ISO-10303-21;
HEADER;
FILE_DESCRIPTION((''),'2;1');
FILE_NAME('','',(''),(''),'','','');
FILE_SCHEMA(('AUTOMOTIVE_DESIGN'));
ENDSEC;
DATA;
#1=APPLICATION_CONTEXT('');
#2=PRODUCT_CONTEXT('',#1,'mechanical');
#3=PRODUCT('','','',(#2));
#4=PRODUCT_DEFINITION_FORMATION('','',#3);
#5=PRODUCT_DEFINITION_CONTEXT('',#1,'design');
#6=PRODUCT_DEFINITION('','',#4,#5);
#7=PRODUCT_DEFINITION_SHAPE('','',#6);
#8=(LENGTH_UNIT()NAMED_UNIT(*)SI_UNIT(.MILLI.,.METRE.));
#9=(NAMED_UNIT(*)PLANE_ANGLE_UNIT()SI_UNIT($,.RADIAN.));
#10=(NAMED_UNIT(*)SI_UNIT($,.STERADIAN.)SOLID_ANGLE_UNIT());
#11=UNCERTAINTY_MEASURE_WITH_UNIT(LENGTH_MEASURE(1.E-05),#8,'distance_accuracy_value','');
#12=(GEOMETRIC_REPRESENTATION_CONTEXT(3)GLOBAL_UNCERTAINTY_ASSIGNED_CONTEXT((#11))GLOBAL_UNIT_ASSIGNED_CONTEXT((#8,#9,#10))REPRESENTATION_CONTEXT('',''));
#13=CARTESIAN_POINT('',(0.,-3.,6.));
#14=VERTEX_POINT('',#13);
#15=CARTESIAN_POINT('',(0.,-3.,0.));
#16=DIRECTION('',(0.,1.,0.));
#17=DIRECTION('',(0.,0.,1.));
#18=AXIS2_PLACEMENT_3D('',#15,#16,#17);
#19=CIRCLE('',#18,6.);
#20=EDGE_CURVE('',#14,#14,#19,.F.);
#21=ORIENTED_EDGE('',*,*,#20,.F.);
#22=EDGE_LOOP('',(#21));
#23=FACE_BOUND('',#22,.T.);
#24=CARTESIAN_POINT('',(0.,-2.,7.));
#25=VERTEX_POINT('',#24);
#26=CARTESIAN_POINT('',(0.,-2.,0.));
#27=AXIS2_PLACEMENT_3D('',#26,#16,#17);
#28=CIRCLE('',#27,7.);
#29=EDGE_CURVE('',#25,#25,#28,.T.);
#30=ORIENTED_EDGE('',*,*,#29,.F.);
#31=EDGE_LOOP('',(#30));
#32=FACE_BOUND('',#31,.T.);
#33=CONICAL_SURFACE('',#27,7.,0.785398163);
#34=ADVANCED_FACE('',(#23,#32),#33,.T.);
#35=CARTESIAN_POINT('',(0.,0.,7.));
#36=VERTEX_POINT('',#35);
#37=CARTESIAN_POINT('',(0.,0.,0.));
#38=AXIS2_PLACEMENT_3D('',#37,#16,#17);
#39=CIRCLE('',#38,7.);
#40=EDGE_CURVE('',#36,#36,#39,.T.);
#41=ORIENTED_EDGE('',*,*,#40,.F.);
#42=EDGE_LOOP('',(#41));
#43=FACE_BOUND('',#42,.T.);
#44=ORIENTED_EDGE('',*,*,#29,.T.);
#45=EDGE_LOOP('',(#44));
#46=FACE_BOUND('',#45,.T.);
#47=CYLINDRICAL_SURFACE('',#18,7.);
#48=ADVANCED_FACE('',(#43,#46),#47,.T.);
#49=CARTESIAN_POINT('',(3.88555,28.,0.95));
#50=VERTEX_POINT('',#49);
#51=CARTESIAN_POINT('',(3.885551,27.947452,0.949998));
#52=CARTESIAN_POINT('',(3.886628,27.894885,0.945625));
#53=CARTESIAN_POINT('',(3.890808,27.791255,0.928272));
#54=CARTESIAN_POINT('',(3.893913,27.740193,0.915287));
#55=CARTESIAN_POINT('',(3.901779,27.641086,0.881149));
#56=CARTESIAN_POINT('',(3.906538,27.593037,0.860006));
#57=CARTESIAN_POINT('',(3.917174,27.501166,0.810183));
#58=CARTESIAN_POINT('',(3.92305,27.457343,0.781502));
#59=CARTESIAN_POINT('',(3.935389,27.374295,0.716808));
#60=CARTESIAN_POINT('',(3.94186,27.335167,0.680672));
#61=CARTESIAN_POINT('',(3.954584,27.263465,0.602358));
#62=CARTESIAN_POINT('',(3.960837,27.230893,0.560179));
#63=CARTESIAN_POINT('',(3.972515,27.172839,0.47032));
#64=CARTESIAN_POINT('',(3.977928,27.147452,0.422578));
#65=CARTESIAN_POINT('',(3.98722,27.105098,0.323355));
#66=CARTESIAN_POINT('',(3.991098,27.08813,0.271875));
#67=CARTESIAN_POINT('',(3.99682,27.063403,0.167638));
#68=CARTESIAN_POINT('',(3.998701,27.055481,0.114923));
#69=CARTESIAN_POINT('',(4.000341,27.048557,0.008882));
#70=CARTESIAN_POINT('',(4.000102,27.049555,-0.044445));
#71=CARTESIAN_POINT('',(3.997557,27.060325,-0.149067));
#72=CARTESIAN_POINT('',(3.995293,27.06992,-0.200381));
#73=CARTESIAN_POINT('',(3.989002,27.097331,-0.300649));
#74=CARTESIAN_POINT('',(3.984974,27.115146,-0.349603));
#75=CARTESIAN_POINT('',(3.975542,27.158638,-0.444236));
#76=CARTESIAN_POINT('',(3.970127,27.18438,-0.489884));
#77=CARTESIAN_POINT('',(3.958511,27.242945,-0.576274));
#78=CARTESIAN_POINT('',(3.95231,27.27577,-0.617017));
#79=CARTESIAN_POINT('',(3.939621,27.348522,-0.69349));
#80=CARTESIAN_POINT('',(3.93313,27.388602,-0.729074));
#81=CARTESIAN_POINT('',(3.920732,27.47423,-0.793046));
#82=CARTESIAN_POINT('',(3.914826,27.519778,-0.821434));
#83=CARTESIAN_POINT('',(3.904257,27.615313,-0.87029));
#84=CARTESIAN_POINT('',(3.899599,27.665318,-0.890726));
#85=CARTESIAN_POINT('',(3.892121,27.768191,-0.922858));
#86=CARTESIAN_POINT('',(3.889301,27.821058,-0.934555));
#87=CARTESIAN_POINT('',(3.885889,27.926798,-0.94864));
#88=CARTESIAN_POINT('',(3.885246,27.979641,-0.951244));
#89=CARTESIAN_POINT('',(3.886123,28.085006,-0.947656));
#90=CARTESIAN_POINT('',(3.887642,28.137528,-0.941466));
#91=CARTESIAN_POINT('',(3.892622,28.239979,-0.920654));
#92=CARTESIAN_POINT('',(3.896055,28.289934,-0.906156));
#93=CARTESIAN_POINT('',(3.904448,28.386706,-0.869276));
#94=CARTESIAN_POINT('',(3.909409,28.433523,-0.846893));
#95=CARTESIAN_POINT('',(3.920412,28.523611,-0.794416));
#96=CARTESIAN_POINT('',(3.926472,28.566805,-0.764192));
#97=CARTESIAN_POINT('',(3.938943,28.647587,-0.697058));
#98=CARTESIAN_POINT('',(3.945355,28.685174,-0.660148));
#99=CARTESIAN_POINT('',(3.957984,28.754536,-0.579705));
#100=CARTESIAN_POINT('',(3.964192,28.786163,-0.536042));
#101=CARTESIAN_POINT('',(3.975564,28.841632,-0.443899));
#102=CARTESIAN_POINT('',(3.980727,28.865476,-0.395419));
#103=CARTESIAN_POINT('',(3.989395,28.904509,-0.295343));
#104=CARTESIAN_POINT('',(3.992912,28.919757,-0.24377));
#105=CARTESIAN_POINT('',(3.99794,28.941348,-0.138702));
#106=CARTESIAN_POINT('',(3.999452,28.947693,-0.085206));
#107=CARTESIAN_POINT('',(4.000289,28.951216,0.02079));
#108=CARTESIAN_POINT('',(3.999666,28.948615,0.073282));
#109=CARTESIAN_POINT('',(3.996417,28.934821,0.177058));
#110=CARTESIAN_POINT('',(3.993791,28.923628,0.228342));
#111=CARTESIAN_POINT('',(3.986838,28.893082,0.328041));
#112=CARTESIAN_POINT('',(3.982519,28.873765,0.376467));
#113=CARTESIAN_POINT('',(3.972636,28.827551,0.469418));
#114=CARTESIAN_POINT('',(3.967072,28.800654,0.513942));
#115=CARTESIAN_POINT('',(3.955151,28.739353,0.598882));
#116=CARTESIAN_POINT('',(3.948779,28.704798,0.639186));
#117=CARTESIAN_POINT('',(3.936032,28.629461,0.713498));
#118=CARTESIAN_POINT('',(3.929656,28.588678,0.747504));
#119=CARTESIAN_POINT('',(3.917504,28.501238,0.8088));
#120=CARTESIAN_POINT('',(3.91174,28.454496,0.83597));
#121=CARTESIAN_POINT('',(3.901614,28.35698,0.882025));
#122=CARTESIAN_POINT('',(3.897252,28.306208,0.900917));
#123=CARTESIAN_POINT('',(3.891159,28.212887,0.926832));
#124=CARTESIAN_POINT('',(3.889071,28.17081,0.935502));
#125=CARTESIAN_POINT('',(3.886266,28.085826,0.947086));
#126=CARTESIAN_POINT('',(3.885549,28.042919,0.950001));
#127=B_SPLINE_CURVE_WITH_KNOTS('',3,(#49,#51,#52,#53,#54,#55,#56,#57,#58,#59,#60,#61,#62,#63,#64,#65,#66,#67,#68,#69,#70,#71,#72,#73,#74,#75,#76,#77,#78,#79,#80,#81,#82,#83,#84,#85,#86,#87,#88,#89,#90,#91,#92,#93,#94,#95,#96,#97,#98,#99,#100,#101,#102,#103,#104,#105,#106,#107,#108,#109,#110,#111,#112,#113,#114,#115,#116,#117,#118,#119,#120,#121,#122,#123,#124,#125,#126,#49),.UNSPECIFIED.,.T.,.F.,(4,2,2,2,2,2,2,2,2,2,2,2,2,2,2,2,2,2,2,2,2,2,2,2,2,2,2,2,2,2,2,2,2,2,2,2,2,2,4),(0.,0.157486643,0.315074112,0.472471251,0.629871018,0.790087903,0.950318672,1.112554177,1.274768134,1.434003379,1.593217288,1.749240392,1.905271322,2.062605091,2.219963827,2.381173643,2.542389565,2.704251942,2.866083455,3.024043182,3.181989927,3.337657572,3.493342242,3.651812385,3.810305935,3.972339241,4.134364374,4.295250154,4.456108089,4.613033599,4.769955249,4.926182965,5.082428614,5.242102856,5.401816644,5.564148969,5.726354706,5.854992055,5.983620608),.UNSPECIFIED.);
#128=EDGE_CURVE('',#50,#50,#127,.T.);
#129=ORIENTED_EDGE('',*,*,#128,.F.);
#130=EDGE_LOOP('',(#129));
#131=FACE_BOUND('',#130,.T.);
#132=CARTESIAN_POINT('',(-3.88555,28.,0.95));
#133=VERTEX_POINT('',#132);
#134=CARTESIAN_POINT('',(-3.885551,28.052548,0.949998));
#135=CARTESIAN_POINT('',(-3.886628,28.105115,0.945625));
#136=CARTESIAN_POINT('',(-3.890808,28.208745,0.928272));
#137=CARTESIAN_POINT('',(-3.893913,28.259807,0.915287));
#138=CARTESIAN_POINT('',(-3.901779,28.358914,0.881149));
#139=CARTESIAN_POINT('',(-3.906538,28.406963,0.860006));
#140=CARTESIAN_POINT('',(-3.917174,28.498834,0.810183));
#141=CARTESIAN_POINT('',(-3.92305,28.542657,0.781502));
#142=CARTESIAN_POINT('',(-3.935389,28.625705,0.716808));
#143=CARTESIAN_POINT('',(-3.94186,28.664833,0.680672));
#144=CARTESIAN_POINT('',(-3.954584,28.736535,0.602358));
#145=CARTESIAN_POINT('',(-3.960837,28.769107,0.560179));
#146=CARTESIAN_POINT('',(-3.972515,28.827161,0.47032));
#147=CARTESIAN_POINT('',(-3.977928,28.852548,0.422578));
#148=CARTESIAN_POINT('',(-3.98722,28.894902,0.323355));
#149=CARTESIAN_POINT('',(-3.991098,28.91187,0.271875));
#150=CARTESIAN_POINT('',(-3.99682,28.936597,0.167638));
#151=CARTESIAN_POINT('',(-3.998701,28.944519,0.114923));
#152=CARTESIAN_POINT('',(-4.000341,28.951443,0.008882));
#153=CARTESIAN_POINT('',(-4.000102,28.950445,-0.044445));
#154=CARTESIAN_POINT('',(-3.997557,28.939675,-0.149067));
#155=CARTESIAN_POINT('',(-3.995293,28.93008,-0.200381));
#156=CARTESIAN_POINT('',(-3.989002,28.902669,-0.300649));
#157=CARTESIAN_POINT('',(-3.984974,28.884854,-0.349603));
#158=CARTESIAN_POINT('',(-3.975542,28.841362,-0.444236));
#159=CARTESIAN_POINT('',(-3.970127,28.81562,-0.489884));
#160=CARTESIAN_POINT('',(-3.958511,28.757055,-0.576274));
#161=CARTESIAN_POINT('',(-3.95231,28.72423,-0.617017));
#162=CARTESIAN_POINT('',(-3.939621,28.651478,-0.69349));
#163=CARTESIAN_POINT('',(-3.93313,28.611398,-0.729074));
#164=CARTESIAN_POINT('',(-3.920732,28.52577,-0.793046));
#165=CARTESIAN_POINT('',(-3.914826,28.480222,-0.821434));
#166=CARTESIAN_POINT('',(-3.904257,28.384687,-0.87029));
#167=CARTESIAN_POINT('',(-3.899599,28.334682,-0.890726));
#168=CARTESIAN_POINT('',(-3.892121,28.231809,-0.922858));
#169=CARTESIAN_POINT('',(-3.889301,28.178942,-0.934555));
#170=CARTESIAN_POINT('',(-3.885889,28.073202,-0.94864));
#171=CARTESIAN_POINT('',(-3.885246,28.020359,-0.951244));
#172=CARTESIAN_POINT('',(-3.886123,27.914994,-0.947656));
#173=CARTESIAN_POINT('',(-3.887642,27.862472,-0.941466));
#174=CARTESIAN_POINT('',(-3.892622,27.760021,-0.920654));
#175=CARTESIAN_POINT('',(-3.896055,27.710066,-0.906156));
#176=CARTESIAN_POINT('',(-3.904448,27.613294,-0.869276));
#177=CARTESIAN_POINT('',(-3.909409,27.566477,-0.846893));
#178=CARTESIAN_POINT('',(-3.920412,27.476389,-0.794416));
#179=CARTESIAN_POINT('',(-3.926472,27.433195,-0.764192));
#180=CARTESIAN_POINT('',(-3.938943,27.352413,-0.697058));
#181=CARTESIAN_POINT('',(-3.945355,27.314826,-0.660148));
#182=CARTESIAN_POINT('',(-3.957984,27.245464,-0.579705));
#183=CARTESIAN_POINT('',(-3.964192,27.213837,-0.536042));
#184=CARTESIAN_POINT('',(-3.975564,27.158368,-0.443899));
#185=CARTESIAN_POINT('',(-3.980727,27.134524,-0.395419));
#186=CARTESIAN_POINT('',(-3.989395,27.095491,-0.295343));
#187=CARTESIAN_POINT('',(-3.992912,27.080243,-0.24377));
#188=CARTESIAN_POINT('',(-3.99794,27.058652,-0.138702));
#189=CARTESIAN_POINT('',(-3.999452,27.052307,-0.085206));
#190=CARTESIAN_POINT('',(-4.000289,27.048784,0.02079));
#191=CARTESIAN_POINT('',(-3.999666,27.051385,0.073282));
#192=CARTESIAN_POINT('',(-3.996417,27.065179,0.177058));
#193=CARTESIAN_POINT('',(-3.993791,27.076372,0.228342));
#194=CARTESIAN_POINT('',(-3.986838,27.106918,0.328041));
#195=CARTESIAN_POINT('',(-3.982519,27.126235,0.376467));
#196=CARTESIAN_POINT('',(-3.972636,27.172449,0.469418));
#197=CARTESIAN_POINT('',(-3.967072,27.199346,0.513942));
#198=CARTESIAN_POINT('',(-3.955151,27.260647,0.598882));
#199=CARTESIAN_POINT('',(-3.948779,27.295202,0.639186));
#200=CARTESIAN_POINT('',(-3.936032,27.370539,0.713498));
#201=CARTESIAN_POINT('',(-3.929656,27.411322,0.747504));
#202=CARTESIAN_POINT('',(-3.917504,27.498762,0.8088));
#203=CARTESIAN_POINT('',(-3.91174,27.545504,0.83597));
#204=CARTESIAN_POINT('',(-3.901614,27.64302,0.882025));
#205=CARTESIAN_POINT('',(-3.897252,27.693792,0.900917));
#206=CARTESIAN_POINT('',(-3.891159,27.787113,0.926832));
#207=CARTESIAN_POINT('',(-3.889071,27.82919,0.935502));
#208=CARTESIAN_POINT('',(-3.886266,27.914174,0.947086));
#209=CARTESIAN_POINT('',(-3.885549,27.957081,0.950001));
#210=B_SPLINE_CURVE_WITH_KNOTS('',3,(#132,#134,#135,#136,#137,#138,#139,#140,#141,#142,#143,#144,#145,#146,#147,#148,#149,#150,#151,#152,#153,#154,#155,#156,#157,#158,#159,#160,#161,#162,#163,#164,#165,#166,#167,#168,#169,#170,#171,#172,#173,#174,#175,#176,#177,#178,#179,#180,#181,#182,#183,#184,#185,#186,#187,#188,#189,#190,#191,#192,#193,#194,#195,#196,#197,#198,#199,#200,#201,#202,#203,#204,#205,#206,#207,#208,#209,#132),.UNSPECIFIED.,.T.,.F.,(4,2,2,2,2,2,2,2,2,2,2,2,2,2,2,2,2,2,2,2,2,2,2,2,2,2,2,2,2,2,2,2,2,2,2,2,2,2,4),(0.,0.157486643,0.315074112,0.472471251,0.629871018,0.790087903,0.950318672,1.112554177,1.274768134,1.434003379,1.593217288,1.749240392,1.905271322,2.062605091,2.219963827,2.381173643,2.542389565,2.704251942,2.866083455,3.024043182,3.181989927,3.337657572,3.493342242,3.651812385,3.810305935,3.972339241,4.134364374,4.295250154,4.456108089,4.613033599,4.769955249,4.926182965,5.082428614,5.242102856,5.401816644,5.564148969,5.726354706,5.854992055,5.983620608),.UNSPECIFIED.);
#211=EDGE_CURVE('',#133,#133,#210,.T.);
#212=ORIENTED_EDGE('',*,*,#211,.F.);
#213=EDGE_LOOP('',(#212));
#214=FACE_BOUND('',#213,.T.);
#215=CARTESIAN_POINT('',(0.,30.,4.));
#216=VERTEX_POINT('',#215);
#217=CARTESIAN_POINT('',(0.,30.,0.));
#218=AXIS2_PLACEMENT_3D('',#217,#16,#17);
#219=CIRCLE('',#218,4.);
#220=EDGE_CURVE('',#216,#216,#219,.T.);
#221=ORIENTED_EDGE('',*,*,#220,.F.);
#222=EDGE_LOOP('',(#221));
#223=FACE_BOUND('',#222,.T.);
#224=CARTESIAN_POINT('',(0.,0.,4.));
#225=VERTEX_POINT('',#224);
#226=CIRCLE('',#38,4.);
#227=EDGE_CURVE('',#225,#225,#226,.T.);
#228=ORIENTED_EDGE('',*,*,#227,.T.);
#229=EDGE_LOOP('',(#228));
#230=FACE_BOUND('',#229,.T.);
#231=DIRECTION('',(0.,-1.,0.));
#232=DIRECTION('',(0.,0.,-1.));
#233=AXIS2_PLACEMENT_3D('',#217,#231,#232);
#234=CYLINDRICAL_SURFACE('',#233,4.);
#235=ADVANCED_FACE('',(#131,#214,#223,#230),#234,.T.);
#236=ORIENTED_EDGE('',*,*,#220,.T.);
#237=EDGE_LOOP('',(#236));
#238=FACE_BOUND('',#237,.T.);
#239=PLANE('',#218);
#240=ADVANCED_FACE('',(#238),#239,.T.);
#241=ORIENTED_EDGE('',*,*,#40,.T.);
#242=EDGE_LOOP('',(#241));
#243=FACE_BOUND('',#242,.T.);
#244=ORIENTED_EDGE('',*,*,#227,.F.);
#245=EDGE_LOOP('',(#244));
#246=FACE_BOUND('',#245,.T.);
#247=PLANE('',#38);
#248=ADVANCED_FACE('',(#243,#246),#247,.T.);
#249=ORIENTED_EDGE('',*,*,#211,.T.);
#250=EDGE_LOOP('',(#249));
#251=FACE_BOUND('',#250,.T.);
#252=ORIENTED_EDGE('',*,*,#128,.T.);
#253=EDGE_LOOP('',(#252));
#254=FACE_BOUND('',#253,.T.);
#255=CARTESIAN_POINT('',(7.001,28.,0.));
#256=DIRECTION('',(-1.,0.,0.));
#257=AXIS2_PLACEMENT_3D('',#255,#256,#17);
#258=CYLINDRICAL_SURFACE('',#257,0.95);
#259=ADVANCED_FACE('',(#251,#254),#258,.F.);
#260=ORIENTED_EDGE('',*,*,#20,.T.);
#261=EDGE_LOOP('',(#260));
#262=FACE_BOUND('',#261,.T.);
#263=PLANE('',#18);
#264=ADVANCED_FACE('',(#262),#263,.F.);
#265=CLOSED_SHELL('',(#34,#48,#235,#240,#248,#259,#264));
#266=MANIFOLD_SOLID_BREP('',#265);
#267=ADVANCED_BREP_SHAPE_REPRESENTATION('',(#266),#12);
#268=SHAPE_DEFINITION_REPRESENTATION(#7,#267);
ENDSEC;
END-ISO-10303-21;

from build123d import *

# Parameters (mm, degrees)
SKETCH1_R           = 7
BOSS_EXTRUDE1_DEPTH = 3
SKETCH1_3_R         = 4
BOSS_EXTRUDE2_DEPTH = 30
CHAMFER1_SIZE       = 1
CUT_EXTRUDE1_REACH  = 34.711
SKETCH2_R           = 0.95


with BuildPart() as part:
    # Sketch1 → Boss-Extrude1 (new body)
    with BuildSketch(Plane(origin=(0, 0, 0), x_dir=(1, 0, 0), z_dir=(0, 1, 0))):
        Circle(SKETCH1_R)
    extrude(amount=-BOSS_EXTRUDE1_DEPTH)

    # Sketch1<3> → Boss-Extrude2 (add)
    with BuildSketch(Plane(origin=(0, 0, 0), x_dir=(1, 0, 0), z_dir=(0, 1, 0))):
        Circle(SKETCH1_3_R)
    extrude(amount=BOSS_EXTRUDE2_DEPTH)

    # Chamfer1
    chamfer1_edges = [part.edges().sort_by_distance(p)[0] for p in [
        (-7, -3, 0),
    ]]
    chamfer(chamfer1_edges, length=CHAMFER1_SIZE)

    # Sketch2 → Cut-Extrude1 (cut, up to next)
    with BuildSketch(Plane.ZY.offset(4), mode=Mode.PRIVATE) as cut_extrude1_sk1:
        with Locations((0, 28)):
            Circle(SKETCH2_R)
    cut_extrude1_tool1 = extrude(cut_extrude1_sk1.sketch, amount=-CUT_EXTRUDE1_REACH, mode=Mode.PRIVATE) & part.part
    add(cut_extrude1_tool1.solids().sort_by_distance((-4, 28, 0))[0], mode=Mode.SUBTRACT)


solid = part.part
